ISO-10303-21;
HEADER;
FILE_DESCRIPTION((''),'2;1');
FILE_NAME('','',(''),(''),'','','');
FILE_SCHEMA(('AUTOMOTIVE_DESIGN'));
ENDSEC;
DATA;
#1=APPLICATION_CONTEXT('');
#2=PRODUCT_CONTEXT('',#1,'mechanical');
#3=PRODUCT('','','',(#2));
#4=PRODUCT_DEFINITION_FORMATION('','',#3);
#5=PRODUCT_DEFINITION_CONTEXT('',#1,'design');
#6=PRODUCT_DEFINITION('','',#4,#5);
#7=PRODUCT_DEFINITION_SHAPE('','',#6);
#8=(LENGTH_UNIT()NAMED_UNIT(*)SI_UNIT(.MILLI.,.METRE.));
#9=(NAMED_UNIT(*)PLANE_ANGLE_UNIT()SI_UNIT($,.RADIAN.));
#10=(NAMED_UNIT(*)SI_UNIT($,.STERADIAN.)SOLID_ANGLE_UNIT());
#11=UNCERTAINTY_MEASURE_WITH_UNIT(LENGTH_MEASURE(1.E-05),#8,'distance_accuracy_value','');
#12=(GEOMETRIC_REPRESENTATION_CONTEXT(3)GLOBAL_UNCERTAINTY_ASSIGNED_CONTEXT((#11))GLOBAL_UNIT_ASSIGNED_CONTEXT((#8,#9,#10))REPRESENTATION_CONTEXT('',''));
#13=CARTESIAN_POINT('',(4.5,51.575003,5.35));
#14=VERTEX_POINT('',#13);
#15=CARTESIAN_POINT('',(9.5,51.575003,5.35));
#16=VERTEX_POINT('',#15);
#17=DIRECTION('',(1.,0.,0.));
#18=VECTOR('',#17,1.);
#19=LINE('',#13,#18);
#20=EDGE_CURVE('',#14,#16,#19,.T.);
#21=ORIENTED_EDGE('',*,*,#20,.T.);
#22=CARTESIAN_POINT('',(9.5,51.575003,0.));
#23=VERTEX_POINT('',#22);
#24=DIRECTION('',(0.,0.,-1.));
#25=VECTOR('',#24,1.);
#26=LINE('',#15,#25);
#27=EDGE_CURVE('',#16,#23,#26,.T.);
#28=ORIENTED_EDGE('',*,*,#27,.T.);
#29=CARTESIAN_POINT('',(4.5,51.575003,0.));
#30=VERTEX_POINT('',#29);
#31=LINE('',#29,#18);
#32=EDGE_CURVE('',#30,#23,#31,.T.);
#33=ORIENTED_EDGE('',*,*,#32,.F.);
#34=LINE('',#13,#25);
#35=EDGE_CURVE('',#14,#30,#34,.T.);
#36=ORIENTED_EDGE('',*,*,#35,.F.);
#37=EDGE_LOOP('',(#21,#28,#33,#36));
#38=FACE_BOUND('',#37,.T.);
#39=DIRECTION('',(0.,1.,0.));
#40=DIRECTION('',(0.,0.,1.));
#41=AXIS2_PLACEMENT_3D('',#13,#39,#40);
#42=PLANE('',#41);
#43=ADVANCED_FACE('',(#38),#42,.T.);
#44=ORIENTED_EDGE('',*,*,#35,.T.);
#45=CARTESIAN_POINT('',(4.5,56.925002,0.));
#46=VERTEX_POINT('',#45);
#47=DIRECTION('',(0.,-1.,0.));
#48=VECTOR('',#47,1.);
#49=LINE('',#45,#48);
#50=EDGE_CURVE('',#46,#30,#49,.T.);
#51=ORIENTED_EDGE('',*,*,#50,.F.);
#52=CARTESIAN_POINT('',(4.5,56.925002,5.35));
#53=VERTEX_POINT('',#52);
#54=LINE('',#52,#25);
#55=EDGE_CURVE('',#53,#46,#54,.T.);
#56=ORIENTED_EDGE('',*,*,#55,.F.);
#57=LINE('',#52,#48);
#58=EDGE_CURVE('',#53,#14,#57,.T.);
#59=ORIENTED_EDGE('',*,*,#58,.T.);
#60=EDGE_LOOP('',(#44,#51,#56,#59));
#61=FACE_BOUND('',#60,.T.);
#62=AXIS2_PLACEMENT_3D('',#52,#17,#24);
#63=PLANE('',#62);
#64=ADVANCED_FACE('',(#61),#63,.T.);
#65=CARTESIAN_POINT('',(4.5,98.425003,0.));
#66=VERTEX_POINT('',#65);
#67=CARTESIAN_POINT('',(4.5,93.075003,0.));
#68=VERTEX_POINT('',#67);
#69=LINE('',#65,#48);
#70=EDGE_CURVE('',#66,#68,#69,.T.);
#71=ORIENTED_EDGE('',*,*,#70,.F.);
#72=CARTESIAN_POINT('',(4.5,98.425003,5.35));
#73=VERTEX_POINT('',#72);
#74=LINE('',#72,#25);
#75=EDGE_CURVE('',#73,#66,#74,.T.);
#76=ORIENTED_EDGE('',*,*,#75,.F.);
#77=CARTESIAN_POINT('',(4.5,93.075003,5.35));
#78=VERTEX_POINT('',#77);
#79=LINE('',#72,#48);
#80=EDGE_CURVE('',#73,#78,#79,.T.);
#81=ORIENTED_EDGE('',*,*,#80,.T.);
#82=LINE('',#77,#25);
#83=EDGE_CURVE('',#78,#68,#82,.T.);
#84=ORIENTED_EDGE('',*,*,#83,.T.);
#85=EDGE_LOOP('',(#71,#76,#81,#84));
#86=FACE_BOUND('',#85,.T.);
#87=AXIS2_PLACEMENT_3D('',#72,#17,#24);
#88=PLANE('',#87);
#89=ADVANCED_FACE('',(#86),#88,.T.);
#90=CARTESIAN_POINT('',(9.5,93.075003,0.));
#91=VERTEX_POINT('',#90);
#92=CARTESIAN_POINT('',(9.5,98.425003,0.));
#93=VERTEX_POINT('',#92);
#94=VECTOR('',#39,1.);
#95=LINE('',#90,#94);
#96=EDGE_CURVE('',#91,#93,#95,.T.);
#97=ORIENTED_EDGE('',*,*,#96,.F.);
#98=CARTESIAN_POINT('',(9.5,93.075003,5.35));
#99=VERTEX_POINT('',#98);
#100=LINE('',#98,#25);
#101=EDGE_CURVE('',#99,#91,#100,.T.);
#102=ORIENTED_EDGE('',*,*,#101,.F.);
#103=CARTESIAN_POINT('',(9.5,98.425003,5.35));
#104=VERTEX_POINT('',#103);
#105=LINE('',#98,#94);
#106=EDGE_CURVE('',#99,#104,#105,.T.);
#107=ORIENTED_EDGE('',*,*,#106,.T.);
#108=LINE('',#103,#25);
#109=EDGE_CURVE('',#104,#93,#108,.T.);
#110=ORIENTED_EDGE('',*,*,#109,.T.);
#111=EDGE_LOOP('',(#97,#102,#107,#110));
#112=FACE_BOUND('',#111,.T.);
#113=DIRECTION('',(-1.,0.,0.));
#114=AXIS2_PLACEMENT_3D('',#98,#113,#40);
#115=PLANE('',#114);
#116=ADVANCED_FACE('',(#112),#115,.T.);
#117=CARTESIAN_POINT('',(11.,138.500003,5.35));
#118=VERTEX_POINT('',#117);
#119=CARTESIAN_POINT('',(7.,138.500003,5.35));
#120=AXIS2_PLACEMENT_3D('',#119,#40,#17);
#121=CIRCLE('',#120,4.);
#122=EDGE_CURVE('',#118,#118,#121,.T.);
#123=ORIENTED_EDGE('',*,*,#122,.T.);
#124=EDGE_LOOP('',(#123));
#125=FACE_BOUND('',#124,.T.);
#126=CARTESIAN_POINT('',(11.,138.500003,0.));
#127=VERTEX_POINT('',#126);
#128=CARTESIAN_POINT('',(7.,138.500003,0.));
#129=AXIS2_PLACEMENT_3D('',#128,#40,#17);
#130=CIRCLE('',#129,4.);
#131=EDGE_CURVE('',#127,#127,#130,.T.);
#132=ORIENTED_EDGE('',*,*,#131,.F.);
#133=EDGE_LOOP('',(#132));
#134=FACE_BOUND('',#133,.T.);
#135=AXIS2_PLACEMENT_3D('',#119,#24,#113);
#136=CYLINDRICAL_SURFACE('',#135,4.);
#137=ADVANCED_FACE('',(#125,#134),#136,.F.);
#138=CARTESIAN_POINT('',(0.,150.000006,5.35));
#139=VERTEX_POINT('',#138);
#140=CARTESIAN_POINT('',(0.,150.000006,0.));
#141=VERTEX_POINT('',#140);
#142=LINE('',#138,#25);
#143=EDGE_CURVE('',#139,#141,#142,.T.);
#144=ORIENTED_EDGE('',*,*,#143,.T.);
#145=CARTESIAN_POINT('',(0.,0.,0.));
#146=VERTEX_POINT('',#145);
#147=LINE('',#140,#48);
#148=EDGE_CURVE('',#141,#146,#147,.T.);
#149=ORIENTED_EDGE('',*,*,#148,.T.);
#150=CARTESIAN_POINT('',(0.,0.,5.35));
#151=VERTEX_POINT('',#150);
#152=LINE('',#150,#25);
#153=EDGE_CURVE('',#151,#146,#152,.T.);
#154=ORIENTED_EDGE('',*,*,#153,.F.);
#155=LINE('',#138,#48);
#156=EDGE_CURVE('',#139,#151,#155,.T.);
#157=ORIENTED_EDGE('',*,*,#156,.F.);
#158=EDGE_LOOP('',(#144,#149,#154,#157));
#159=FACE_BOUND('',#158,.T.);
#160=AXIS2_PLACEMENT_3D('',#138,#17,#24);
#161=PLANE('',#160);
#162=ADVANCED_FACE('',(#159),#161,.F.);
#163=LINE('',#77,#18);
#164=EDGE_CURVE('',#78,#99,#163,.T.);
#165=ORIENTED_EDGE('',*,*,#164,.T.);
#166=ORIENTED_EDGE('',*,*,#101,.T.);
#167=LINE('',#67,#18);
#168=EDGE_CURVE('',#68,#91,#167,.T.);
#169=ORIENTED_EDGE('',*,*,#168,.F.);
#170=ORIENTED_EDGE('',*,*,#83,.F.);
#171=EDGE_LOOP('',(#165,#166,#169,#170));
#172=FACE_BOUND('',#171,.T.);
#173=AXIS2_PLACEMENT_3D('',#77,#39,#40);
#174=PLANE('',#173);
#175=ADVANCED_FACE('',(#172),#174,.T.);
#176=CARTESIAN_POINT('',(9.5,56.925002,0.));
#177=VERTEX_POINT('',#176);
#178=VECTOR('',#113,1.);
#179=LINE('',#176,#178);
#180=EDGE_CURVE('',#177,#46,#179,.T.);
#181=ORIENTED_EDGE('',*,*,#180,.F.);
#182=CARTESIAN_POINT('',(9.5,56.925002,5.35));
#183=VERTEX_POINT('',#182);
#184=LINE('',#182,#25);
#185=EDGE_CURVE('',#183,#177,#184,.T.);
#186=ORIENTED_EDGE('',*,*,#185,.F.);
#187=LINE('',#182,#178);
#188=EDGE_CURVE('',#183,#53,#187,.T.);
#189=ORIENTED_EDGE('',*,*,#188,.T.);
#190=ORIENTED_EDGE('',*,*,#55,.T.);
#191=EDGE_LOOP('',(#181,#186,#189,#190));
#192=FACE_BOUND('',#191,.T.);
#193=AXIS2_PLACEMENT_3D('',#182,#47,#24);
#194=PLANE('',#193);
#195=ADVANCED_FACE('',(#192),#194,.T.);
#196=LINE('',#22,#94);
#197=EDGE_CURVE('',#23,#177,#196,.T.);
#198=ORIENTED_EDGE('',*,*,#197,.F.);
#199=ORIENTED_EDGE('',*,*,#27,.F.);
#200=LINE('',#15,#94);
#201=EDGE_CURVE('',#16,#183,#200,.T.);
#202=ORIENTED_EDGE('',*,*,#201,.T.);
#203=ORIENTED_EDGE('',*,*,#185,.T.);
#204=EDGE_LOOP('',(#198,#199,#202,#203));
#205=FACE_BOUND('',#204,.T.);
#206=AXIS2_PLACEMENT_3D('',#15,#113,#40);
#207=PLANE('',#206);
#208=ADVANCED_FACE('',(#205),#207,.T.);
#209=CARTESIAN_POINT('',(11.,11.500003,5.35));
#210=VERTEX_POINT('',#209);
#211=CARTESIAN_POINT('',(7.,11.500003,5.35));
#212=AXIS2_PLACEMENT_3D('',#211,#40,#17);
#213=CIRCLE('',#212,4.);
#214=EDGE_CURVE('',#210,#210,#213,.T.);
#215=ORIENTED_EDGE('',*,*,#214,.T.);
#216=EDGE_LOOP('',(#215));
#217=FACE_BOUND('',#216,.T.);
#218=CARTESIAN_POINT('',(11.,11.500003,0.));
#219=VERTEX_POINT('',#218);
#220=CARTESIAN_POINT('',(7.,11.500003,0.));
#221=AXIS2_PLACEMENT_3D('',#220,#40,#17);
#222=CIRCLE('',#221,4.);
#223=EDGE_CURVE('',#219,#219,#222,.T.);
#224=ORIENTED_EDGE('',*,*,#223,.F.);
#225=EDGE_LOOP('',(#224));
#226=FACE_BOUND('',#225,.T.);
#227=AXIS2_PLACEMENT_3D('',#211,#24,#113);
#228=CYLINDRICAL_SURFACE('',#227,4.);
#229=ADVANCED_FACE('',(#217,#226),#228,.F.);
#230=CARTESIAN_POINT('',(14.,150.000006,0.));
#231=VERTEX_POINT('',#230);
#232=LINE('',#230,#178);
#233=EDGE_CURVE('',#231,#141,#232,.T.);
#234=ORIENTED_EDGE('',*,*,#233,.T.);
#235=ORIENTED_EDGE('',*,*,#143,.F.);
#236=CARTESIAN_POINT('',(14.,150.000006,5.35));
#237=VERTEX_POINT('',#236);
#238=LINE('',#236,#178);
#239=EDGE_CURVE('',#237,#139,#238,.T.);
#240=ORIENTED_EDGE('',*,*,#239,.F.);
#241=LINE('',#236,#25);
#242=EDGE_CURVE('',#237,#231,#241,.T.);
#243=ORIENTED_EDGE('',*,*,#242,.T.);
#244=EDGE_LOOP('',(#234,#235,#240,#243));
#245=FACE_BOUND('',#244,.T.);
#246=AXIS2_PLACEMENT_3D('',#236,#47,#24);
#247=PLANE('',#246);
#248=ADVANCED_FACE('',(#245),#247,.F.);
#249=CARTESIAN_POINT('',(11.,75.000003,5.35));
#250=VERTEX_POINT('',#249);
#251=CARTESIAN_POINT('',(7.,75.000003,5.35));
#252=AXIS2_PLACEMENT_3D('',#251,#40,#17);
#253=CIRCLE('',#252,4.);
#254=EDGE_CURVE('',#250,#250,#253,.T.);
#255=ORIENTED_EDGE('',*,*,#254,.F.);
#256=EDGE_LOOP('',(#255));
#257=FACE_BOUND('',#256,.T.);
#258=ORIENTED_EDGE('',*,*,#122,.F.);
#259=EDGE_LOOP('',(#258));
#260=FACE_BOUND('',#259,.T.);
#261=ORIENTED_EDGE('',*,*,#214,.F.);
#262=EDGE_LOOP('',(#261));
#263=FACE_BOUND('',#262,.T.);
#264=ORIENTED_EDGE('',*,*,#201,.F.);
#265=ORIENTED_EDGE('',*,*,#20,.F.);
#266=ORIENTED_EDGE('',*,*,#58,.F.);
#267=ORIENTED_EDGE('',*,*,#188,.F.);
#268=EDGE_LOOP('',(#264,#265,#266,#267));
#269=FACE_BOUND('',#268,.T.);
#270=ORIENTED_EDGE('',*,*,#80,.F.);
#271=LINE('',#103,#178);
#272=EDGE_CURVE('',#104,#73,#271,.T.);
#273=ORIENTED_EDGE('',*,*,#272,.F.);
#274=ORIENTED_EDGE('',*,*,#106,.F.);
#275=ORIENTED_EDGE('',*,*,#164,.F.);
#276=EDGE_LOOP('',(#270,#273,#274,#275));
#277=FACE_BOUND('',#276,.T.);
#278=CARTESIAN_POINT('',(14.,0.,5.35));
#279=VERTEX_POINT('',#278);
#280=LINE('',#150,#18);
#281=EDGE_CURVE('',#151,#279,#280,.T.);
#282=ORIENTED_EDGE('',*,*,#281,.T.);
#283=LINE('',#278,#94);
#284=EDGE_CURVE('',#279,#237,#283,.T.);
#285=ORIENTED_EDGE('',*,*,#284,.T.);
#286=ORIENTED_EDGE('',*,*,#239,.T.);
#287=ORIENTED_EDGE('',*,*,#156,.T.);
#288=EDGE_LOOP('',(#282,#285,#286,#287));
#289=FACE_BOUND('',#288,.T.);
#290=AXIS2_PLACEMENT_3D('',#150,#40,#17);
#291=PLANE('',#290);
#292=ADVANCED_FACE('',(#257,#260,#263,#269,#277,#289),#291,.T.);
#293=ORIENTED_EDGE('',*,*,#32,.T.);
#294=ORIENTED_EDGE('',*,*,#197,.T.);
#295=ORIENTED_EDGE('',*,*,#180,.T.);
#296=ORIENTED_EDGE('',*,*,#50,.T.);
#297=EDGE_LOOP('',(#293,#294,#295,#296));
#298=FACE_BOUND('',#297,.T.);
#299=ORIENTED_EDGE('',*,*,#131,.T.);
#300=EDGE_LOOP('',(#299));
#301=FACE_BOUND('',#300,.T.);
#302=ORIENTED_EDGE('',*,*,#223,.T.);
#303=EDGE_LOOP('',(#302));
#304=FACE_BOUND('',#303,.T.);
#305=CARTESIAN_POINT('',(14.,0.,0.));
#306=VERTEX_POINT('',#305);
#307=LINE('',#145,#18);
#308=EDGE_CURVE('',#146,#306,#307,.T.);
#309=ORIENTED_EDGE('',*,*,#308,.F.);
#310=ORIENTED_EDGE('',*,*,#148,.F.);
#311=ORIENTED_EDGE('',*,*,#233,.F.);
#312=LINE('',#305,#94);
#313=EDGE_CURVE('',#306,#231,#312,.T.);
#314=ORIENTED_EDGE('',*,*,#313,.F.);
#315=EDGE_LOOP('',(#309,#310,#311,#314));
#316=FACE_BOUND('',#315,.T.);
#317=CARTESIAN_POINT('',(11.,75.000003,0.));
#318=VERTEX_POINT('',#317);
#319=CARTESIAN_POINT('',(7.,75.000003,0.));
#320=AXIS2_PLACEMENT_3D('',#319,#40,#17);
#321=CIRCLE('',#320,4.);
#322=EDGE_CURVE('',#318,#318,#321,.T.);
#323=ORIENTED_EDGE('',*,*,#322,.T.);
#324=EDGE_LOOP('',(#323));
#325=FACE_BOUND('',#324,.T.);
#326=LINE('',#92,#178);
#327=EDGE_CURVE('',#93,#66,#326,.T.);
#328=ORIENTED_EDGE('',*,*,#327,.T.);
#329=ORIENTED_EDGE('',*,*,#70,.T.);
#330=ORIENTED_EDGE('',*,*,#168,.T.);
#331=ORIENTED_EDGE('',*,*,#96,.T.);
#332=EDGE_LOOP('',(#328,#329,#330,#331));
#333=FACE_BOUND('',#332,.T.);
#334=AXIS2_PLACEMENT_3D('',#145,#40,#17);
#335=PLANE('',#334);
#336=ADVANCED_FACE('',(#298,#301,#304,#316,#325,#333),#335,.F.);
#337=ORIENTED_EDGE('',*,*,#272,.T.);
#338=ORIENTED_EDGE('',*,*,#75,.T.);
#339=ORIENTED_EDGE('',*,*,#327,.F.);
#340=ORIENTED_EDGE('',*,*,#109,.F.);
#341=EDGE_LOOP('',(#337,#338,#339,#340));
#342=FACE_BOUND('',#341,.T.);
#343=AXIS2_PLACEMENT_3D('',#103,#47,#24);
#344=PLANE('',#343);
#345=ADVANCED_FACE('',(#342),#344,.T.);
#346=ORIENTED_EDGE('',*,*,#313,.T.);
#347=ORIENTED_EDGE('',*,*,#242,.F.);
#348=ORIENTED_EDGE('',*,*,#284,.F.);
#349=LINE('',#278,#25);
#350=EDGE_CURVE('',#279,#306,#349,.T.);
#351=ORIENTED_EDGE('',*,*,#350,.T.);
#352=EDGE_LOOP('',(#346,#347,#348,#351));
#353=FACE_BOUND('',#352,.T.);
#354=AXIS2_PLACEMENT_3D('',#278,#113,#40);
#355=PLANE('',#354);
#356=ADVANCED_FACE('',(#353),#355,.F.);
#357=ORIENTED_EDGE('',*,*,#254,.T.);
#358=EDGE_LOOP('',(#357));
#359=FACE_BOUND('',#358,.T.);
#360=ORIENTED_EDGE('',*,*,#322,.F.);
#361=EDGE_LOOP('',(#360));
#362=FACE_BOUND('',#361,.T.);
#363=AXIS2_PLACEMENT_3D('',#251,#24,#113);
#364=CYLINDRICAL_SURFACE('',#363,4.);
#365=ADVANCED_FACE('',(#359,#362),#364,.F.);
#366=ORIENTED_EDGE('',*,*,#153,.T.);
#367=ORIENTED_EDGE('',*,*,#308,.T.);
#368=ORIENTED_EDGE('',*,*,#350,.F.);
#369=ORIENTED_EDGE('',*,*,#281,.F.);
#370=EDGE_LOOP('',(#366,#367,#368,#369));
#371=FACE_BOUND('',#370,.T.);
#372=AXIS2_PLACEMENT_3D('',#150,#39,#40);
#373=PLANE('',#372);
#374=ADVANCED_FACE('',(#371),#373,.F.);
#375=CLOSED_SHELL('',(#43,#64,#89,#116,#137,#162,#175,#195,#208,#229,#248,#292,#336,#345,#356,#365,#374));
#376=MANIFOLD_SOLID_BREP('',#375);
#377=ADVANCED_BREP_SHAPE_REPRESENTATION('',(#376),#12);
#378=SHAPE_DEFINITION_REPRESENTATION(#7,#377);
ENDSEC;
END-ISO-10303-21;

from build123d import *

# Parameters (mm, degrees)
MODEL_W             = 14.000000432
MODEL_H             = 150.00000596
MODEL_R             = 4
MODEL_W_2           = 4.999999888
MODEL_H_2           = 5.349999294
BOSS_EXTRUDE1_DEPTH = 5.35


with BuildPart() as part:
    # Model → Boss-Extrude1 (new body)
    with BuildSketch(Plane.XY):
        with Locations((7.000000216, 75.00000298)):
            Rectangle(MODEL_W, MODEL_H)
        with Locations((7.000000216, 75.00000298)):
            Circle(MODEL_R, mode=Mode.SUBTRACT)
        with Locations((7.000000216, 11.50000298)):
            Circle(MODEL_R, mode=Mode.SUBTRACT)
        with Locations((7.000000216, 138.50000298)):
            Circle(MODEL_R, mode=Mode.SUBTRACT)
        with Locations((7.000000216, 54.250002839)):
            Rectangle(MODEL_W_2, MODEL_H_2, mode=Mode.SUBTRACT)
        with Locations((7.000000216, 95.750003122)):
            Rectangle(MODEL_W_2, MODEL_H_2, mode=Mode.SUBTRACT)
    extrude(amount=BOSS_EXTRUDE1_DEPTH)


solid = part.part
